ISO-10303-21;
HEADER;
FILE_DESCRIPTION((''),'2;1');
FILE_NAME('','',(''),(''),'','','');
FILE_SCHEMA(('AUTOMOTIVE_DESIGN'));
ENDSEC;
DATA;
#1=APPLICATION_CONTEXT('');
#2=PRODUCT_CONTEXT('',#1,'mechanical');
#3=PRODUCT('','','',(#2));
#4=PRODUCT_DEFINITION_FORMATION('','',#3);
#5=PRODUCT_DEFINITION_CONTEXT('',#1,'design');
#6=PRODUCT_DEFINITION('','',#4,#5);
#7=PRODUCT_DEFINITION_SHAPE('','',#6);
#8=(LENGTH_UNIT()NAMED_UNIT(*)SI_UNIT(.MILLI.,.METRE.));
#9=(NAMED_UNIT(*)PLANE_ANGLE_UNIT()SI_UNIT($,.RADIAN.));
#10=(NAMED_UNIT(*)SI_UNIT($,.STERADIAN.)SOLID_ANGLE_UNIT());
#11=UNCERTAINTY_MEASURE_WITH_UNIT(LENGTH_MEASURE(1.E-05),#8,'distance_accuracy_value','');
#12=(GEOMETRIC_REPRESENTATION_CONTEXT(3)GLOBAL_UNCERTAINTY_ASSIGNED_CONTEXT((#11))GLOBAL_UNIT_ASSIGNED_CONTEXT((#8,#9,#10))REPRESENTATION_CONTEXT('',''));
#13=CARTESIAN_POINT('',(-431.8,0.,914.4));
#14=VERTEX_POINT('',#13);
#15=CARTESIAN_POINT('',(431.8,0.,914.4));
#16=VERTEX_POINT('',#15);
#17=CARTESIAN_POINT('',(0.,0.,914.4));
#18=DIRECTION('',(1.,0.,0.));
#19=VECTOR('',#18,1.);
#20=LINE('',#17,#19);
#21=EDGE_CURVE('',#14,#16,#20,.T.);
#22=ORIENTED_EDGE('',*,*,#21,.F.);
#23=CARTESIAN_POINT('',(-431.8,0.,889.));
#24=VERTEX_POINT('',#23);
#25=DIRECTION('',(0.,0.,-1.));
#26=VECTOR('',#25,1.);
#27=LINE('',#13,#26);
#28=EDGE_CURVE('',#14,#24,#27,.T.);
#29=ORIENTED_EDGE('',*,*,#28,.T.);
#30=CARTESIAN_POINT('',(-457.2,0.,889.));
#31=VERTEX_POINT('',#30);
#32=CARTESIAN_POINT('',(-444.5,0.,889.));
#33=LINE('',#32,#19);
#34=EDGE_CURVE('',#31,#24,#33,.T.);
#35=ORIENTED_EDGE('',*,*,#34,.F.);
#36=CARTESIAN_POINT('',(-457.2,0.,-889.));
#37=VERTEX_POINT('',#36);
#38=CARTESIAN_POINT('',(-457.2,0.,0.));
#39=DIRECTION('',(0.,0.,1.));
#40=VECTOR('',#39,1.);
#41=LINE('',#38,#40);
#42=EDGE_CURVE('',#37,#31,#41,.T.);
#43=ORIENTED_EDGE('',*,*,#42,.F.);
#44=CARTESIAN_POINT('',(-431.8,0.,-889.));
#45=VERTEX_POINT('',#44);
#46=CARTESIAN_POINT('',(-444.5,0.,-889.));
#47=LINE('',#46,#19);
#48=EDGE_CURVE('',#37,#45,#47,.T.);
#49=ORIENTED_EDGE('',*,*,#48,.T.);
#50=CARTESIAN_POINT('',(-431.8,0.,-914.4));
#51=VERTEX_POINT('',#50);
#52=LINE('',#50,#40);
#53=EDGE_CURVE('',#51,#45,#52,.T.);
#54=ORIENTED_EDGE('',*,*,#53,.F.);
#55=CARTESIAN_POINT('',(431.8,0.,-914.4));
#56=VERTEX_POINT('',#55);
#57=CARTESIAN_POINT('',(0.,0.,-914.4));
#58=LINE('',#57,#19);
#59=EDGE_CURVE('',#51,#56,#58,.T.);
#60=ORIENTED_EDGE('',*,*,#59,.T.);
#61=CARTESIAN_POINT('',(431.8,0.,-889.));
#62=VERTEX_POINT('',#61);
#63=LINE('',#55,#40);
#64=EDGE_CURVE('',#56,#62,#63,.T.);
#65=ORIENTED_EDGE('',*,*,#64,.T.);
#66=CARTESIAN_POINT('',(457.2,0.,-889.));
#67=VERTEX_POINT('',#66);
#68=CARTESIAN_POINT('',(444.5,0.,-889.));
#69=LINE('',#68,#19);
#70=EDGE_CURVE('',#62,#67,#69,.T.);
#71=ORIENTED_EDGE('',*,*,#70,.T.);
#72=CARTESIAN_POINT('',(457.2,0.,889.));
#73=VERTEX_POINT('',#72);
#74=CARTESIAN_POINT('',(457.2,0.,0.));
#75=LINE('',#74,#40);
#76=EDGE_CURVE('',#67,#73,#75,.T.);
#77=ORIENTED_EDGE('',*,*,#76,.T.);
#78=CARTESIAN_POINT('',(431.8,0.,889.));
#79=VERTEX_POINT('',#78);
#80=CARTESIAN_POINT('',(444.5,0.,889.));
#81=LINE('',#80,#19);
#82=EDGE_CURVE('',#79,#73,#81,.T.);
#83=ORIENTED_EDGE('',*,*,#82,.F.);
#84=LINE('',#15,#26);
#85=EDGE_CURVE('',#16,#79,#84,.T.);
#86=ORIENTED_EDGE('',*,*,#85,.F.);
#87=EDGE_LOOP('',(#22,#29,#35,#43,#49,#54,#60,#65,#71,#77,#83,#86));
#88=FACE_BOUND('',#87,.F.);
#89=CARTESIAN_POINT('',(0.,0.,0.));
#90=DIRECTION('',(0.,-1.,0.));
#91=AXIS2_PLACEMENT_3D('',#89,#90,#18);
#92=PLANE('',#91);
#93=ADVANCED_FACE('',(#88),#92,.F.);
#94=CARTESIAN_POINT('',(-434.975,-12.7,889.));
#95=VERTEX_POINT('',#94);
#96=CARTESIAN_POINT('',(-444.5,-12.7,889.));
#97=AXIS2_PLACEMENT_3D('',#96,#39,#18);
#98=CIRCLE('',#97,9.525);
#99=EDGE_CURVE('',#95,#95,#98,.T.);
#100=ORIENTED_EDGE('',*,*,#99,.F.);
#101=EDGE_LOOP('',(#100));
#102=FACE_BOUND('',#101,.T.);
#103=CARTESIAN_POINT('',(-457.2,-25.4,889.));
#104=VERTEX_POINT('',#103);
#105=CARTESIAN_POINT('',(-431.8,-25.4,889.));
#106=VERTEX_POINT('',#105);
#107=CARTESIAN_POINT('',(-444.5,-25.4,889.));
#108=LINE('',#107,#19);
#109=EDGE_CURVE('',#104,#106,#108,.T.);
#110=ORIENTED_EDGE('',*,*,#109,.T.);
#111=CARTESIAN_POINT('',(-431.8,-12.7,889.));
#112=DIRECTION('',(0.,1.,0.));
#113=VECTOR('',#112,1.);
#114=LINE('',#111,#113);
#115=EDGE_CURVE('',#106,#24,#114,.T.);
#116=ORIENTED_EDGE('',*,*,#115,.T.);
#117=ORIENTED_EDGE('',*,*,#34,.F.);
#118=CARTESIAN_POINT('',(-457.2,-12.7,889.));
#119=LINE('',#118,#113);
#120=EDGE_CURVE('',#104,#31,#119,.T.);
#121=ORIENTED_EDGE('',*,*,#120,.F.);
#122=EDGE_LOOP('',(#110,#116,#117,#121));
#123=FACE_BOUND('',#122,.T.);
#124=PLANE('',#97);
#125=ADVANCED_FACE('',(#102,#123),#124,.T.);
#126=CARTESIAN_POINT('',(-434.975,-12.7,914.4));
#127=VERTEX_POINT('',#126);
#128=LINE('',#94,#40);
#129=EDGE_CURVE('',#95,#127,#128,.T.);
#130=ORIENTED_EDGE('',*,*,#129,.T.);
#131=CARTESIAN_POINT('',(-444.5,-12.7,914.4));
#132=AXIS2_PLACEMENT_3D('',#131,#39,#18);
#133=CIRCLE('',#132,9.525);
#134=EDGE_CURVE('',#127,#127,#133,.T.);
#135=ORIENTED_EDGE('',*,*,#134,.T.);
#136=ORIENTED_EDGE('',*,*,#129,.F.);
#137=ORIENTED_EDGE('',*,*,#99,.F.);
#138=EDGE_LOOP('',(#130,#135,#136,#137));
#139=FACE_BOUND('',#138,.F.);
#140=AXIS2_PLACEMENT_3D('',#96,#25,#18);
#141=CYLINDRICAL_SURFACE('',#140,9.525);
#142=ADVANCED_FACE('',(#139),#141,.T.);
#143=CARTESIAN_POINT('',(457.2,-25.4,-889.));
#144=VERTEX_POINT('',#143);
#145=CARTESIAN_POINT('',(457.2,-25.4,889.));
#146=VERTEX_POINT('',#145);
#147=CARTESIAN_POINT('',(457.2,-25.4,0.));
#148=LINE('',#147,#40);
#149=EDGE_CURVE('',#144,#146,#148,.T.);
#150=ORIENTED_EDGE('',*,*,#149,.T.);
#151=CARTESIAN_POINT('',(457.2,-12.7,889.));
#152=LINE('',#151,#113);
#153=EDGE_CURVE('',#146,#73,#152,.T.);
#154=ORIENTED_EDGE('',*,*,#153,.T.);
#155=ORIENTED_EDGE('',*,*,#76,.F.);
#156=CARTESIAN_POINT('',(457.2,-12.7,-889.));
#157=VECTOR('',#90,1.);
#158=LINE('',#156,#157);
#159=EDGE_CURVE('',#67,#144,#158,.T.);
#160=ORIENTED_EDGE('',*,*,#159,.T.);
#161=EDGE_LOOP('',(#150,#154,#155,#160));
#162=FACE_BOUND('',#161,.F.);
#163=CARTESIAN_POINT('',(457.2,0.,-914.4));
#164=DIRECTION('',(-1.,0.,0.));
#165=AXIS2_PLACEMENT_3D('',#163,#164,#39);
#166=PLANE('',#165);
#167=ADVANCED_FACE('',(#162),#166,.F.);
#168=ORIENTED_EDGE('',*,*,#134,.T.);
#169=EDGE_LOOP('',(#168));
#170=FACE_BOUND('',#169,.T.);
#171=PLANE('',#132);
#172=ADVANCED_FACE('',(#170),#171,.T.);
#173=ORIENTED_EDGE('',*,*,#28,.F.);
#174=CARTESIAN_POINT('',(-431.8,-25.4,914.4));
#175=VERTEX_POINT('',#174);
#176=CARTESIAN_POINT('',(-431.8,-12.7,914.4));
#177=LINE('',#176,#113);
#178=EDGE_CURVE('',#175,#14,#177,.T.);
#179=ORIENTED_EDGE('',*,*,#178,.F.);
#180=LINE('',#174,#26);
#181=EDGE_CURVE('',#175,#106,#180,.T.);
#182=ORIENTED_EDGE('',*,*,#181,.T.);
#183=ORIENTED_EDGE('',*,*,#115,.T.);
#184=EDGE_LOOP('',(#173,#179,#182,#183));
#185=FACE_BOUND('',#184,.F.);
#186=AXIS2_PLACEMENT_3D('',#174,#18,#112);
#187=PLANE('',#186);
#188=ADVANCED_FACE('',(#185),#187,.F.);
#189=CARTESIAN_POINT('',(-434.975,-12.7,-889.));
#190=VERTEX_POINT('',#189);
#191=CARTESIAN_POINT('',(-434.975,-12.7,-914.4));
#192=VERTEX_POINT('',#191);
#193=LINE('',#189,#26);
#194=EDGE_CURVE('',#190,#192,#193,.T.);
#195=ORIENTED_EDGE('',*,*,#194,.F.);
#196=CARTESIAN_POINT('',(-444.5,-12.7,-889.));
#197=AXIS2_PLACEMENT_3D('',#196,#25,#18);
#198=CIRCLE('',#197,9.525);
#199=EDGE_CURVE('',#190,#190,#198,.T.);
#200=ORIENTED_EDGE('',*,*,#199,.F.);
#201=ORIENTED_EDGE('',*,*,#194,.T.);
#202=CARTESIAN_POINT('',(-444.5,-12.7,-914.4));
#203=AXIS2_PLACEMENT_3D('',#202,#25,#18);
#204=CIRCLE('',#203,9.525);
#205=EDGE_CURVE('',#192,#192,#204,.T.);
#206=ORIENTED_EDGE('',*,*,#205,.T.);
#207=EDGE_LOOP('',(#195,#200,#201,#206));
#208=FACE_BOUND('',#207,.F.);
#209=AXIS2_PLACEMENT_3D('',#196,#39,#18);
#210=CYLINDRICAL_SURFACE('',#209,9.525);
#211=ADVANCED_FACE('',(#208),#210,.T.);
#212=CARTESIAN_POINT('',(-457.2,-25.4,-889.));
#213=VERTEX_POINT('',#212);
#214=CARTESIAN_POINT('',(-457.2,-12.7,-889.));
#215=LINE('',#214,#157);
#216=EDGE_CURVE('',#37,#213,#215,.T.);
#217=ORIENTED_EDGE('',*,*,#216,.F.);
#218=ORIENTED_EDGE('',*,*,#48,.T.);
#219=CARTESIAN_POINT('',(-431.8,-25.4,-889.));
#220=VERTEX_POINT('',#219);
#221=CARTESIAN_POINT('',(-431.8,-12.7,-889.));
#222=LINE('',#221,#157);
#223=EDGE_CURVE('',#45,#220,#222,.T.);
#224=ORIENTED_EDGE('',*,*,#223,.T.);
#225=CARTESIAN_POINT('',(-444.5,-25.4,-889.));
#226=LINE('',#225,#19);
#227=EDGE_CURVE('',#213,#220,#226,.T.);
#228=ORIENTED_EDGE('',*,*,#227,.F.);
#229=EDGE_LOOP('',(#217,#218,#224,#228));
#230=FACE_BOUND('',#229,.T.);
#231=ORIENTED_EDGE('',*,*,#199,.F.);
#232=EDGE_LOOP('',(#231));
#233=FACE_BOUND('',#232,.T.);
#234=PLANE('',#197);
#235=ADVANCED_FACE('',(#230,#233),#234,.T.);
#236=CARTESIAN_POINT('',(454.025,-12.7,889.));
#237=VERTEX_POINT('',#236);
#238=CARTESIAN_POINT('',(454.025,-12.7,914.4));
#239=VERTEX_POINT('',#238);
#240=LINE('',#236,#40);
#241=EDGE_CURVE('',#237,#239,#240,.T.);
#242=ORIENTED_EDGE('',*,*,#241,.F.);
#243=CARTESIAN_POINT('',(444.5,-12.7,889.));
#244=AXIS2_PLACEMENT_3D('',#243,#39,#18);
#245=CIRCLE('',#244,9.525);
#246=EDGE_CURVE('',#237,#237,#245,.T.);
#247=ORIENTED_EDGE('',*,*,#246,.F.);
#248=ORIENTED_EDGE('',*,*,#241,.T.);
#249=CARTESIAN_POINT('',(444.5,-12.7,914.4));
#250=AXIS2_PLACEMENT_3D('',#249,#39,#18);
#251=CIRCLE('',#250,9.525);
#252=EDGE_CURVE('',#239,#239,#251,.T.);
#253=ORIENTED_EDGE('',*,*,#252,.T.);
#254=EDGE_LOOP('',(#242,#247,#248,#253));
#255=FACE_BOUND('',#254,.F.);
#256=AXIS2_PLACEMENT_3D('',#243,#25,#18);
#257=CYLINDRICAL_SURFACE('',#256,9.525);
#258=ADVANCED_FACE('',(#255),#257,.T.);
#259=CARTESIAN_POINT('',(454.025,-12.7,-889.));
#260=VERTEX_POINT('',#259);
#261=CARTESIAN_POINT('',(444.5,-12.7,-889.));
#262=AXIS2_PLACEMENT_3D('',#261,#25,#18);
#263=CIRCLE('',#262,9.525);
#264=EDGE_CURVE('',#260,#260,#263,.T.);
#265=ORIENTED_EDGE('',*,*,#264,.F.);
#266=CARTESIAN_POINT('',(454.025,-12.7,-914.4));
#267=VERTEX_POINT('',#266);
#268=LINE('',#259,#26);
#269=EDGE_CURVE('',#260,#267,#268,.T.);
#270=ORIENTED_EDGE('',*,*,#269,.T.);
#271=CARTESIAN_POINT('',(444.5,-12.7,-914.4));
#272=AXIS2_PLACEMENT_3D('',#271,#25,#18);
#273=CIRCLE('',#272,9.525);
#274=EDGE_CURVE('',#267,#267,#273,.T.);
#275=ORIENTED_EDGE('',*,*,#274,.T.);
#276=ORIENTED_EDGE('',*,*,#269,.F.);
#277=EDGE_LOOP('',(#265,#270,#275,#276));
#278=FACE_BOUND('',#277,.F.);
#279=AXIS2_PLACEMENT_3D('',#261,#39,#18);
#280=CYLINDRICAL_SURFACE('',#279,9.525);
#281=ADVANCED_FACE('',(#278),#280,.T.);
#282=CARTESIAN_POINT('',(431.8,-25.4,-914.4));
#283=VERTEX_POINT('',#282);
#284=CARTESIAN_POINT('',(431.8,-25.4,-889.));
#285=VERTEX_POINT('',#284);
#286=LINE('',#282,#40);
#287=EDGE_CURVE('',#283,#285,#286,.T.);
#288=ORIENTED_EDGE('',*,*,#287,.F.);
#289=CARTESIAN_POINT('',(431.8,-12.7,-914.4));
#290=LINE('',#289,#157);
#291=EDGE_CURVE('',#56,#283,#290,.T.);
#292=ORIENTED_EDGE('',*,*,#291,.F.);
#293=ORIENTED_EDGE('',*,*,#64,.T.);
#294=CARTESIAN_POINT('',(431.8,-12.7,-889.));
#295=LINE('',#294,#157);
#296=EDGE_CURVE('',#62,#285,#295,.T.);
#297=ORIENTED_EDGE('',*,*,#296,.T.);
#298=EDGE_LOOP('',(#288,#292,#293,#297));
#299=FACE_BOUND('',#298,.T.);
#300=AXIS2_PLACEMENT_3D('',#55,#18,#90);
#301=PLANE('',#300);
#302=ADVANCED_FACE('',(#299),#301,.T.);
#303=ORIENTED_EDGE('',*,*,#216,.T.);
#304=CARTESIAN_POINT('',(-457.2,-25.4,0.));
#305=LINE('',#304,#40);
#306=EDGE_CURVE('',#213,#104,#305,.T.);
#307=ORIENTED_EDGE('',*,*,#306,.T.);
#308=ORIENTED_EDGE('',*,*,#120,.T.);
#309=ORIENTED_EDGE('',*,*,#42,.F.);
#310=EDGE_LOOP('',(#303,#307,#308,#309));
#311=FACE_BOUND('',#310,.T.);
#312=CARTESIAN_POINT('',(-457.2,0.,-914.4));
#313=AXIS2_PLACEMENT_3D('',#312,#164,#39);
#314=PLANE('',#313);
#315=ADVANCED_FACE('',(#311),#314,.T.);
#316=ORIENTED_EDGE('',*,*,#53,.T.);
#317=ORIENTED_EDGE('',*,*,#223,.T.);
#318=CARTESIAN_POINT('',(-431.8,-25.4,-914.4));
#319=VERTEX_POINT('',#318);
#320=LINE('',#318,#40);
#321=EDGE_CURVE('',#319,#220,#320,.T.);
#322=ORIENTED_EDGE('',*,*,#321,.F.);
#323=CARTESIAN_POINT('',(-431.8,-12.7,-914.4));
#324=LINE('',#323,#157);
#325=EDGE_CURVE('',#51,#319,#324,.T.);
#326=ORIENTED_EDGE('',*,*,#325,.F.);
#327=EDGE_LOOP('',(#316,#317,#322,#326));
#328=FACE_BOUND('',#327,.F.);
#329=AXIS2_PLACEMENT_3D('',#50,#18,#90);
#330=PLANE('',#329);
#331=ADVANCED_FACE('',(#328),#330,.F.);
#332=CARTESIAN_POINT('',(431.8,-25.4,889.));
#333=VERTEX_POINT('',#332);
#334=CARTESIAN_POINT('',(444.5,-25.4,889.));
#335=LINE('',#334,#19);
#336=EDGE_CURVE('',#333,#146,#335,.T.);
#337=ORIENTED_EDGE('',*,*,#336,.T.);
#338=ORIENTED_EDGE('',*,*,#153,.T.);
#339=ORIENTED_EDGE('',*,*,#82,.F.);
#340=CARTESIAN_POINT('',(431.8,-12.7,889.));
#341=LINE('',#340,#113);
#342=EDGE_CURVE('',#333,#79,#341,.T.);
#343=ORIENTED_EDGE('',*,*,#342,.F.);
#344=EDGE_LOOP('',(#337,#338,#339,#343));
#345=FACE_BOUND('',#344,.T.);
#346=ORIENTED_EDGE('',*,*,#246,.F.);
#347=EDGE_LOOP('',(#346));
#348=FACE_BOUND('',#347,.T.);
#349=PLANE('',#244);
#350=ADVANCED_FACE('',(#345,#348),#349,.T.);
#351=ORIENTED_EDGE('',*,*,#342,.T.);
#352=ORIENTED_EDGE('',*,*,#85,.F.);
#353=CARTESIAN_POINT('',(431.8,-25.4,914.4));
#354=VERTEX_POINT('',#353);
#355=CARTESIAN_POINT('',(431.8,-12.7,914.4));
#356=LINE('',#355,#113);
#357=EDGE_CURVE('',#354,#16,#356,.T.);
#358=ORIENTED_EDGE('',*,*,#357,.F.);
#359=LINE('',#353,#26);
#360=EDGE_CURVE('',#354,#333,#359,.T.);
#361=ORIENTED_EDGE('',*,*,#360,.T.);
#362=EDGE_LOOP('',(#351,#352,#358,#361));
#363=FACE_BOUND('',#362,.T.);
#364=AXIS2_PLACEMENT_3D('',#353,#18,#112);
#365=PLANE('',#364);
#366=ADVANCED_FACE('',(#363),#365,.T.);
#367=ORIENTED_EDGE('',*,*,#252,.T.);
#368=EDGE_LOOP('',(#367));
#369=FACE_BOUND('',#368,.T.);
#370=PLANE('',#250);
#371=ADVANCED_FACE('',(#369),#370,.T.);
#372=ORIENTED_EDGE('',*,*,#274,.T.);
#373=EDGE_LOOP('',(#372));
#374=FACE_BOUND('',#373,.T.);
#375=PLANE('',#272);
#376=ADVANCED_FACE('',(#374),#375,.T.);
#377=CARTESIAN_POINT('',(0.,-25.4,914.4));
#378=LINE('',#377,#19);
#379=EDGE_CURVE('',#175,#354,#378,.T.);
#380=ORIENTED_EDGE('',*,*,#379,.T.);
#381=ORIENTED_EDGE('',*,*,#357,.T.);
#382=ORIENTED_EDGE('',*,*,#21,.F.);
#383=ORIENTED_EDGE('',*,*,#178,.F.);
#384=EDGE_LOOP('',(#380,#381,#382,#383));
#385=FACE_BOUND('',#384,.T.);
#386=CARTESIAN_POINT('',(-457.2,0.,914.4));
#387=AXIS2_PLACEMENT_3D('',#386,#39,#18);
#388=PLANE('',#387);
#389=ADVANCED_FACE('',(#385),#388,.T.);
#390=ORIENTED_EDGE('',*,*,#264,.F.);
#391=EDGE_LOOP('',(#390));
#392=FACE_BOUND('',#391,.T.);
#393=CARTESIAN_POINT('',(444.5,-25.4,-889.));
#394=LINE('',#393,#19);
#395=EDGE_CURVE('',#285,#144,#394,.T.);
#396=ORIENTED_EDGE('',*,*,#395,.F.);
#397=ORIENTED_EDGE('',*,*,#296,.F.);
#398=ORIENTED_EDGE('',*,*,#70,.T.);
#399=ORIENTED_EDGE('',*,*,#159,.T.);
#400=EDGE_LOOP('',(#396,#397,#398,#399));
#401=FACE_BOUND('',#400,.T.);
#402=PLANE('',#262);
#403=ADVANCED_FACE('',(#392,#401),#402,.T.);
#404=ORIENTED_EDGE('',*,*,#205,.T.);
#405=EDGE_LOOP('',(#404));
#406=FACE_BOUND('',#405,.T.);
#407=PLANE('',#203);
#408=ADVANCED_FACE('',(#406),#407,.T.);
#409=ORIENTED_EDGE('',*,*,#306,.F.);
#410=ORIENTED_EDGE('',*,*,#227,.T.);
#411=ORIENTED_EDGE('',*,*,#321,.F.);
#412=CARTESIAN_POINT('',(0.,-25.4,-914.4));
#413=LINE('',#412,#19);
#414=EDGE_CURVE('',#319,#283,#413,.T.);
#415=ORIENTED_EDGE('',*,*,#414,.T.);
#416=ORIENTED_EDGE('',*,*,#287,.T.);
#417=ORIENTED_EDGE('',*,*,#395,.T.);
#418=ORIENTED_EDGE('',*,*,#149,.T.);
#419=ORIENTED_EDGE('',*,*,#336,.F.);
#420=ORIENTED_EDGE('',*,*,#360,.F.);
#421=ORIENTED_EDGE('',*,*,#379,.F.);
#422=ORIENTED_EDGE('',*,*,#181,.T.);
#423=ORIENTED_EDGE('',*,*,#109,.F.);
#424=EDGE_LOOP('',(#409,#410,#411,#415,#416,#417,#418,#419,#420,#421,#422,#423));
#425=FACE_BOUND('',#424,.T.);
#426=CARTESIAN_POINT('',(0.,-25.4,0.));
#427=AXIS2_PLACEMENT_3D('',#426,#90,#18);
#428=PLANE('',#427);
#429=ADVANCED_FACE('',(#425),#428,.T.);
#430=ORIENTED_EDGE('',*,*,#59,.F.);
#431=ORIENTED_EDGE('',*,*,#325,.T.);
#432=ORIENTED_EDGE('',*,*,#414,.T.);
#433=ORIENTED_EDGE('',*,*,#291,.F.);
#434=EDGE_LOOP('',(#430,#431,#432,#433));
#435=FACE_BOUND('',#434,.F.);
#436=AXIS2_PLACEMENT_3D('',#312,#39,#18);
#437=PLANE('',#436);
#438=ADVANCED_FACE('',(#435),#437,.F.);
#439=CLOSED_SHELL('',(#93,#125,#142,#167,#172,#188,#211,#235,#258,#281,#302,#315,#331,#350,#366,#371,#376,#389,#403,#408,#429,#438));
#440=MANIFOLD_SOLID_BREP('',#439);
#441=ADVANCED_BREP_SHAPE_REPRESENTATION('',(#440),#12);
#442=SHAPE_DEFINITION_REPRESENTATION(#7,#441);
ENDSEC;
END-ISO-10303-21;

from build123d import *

# Parameters (mm, degrees)
F0_W      = 914.4
F0_H      = 1828.8
F1_DEPTH  = 25.4
F2_W      = 25.4
F2_H      = 25.4
F3_DEPTH  = 25.4
F4_W      = 25.4
F4_H      = 25.4
F5_DEPTH  = 25.4
F6_R      = 9.525
F7_DEPTH  = 25.4
F8_R      = 9.525
F9_DEPTH  = 25.4
F10_R     = 9.525
F11_DEPTH = 25.4
F12_R     = 9.525
F13_DEPTH = 25.4


with BuildPart() as f1:
    # F0 (on Front) → F1 (new body)
    with BuildSketch(Plane.XZ):
        Rectangle(F0_W, F0_H)
    extrude(amount=F1_DEPTH)

    # F2 (on face) → F3 (cut)
    with BuildSketch(Plane.XY.offset(914.4)):
        with Locations((-444.5, -12.7)):
            Rectangle(F2_W, F2_H)
        with Locations((444.5, -12.7)):
            Rectangle(F2_W, F2_H)
    extrude(amount=-F3_DEPTH, mode=Mode.SUBTRACT)

    # F4 (on face) → F5 (cut)
    with BuildSketch(Plane(origin=(0, 0, -914.4), x_dir=(1, 0, 0), z_dir=(0, 0, -1))):
        with Locations((-444.5, 12.7)):
            Rectangle(F4_W, F4_H)
        with Locations((444.5, 12.7)):
            Rectangle(F4_W, F4_H)
    extrude(amount=-F5_DEPTH, mode=Mode.SUBTRACT)

    # F6 (on face) → F7 (join)
    with BuildSketch(Plane.XY.offset(889)):
        with Locations((-444.5, -12.7)):
            Circle(F6_R)
    extrude(amount=F7_DEPTH)

    # F8 (on face) → F9 (join)
    with BuildSketch(Plane.XY.offset(889)):
        with Locations((444.5, -12.7)):
            Circle(F8_R)
    extrude(amount=F9_DEPTH)

    # F10 (on face) → F11 (join)
    with BuildSketch(Plane(origin=(0, 0, -889), x_dir=(1, 0, 0), z_dir=(0, 0, -1))):
        with Locations((-444.5, 12.7)):
            Circle(F10_R)
    extrude(amount=F11_DEPTH)

    # F12 (on face) → F13 (join)
    with BuildSketch(Plane(origin=(0, 0, -889), x_dir=(1, 0, 0), z_dir=(0, 0, -1))):
        with Locations((444.5, 12.7)):
            Circle(F12_R)
    extrude(amount=F13_DEPTH)


solid = f1.part
